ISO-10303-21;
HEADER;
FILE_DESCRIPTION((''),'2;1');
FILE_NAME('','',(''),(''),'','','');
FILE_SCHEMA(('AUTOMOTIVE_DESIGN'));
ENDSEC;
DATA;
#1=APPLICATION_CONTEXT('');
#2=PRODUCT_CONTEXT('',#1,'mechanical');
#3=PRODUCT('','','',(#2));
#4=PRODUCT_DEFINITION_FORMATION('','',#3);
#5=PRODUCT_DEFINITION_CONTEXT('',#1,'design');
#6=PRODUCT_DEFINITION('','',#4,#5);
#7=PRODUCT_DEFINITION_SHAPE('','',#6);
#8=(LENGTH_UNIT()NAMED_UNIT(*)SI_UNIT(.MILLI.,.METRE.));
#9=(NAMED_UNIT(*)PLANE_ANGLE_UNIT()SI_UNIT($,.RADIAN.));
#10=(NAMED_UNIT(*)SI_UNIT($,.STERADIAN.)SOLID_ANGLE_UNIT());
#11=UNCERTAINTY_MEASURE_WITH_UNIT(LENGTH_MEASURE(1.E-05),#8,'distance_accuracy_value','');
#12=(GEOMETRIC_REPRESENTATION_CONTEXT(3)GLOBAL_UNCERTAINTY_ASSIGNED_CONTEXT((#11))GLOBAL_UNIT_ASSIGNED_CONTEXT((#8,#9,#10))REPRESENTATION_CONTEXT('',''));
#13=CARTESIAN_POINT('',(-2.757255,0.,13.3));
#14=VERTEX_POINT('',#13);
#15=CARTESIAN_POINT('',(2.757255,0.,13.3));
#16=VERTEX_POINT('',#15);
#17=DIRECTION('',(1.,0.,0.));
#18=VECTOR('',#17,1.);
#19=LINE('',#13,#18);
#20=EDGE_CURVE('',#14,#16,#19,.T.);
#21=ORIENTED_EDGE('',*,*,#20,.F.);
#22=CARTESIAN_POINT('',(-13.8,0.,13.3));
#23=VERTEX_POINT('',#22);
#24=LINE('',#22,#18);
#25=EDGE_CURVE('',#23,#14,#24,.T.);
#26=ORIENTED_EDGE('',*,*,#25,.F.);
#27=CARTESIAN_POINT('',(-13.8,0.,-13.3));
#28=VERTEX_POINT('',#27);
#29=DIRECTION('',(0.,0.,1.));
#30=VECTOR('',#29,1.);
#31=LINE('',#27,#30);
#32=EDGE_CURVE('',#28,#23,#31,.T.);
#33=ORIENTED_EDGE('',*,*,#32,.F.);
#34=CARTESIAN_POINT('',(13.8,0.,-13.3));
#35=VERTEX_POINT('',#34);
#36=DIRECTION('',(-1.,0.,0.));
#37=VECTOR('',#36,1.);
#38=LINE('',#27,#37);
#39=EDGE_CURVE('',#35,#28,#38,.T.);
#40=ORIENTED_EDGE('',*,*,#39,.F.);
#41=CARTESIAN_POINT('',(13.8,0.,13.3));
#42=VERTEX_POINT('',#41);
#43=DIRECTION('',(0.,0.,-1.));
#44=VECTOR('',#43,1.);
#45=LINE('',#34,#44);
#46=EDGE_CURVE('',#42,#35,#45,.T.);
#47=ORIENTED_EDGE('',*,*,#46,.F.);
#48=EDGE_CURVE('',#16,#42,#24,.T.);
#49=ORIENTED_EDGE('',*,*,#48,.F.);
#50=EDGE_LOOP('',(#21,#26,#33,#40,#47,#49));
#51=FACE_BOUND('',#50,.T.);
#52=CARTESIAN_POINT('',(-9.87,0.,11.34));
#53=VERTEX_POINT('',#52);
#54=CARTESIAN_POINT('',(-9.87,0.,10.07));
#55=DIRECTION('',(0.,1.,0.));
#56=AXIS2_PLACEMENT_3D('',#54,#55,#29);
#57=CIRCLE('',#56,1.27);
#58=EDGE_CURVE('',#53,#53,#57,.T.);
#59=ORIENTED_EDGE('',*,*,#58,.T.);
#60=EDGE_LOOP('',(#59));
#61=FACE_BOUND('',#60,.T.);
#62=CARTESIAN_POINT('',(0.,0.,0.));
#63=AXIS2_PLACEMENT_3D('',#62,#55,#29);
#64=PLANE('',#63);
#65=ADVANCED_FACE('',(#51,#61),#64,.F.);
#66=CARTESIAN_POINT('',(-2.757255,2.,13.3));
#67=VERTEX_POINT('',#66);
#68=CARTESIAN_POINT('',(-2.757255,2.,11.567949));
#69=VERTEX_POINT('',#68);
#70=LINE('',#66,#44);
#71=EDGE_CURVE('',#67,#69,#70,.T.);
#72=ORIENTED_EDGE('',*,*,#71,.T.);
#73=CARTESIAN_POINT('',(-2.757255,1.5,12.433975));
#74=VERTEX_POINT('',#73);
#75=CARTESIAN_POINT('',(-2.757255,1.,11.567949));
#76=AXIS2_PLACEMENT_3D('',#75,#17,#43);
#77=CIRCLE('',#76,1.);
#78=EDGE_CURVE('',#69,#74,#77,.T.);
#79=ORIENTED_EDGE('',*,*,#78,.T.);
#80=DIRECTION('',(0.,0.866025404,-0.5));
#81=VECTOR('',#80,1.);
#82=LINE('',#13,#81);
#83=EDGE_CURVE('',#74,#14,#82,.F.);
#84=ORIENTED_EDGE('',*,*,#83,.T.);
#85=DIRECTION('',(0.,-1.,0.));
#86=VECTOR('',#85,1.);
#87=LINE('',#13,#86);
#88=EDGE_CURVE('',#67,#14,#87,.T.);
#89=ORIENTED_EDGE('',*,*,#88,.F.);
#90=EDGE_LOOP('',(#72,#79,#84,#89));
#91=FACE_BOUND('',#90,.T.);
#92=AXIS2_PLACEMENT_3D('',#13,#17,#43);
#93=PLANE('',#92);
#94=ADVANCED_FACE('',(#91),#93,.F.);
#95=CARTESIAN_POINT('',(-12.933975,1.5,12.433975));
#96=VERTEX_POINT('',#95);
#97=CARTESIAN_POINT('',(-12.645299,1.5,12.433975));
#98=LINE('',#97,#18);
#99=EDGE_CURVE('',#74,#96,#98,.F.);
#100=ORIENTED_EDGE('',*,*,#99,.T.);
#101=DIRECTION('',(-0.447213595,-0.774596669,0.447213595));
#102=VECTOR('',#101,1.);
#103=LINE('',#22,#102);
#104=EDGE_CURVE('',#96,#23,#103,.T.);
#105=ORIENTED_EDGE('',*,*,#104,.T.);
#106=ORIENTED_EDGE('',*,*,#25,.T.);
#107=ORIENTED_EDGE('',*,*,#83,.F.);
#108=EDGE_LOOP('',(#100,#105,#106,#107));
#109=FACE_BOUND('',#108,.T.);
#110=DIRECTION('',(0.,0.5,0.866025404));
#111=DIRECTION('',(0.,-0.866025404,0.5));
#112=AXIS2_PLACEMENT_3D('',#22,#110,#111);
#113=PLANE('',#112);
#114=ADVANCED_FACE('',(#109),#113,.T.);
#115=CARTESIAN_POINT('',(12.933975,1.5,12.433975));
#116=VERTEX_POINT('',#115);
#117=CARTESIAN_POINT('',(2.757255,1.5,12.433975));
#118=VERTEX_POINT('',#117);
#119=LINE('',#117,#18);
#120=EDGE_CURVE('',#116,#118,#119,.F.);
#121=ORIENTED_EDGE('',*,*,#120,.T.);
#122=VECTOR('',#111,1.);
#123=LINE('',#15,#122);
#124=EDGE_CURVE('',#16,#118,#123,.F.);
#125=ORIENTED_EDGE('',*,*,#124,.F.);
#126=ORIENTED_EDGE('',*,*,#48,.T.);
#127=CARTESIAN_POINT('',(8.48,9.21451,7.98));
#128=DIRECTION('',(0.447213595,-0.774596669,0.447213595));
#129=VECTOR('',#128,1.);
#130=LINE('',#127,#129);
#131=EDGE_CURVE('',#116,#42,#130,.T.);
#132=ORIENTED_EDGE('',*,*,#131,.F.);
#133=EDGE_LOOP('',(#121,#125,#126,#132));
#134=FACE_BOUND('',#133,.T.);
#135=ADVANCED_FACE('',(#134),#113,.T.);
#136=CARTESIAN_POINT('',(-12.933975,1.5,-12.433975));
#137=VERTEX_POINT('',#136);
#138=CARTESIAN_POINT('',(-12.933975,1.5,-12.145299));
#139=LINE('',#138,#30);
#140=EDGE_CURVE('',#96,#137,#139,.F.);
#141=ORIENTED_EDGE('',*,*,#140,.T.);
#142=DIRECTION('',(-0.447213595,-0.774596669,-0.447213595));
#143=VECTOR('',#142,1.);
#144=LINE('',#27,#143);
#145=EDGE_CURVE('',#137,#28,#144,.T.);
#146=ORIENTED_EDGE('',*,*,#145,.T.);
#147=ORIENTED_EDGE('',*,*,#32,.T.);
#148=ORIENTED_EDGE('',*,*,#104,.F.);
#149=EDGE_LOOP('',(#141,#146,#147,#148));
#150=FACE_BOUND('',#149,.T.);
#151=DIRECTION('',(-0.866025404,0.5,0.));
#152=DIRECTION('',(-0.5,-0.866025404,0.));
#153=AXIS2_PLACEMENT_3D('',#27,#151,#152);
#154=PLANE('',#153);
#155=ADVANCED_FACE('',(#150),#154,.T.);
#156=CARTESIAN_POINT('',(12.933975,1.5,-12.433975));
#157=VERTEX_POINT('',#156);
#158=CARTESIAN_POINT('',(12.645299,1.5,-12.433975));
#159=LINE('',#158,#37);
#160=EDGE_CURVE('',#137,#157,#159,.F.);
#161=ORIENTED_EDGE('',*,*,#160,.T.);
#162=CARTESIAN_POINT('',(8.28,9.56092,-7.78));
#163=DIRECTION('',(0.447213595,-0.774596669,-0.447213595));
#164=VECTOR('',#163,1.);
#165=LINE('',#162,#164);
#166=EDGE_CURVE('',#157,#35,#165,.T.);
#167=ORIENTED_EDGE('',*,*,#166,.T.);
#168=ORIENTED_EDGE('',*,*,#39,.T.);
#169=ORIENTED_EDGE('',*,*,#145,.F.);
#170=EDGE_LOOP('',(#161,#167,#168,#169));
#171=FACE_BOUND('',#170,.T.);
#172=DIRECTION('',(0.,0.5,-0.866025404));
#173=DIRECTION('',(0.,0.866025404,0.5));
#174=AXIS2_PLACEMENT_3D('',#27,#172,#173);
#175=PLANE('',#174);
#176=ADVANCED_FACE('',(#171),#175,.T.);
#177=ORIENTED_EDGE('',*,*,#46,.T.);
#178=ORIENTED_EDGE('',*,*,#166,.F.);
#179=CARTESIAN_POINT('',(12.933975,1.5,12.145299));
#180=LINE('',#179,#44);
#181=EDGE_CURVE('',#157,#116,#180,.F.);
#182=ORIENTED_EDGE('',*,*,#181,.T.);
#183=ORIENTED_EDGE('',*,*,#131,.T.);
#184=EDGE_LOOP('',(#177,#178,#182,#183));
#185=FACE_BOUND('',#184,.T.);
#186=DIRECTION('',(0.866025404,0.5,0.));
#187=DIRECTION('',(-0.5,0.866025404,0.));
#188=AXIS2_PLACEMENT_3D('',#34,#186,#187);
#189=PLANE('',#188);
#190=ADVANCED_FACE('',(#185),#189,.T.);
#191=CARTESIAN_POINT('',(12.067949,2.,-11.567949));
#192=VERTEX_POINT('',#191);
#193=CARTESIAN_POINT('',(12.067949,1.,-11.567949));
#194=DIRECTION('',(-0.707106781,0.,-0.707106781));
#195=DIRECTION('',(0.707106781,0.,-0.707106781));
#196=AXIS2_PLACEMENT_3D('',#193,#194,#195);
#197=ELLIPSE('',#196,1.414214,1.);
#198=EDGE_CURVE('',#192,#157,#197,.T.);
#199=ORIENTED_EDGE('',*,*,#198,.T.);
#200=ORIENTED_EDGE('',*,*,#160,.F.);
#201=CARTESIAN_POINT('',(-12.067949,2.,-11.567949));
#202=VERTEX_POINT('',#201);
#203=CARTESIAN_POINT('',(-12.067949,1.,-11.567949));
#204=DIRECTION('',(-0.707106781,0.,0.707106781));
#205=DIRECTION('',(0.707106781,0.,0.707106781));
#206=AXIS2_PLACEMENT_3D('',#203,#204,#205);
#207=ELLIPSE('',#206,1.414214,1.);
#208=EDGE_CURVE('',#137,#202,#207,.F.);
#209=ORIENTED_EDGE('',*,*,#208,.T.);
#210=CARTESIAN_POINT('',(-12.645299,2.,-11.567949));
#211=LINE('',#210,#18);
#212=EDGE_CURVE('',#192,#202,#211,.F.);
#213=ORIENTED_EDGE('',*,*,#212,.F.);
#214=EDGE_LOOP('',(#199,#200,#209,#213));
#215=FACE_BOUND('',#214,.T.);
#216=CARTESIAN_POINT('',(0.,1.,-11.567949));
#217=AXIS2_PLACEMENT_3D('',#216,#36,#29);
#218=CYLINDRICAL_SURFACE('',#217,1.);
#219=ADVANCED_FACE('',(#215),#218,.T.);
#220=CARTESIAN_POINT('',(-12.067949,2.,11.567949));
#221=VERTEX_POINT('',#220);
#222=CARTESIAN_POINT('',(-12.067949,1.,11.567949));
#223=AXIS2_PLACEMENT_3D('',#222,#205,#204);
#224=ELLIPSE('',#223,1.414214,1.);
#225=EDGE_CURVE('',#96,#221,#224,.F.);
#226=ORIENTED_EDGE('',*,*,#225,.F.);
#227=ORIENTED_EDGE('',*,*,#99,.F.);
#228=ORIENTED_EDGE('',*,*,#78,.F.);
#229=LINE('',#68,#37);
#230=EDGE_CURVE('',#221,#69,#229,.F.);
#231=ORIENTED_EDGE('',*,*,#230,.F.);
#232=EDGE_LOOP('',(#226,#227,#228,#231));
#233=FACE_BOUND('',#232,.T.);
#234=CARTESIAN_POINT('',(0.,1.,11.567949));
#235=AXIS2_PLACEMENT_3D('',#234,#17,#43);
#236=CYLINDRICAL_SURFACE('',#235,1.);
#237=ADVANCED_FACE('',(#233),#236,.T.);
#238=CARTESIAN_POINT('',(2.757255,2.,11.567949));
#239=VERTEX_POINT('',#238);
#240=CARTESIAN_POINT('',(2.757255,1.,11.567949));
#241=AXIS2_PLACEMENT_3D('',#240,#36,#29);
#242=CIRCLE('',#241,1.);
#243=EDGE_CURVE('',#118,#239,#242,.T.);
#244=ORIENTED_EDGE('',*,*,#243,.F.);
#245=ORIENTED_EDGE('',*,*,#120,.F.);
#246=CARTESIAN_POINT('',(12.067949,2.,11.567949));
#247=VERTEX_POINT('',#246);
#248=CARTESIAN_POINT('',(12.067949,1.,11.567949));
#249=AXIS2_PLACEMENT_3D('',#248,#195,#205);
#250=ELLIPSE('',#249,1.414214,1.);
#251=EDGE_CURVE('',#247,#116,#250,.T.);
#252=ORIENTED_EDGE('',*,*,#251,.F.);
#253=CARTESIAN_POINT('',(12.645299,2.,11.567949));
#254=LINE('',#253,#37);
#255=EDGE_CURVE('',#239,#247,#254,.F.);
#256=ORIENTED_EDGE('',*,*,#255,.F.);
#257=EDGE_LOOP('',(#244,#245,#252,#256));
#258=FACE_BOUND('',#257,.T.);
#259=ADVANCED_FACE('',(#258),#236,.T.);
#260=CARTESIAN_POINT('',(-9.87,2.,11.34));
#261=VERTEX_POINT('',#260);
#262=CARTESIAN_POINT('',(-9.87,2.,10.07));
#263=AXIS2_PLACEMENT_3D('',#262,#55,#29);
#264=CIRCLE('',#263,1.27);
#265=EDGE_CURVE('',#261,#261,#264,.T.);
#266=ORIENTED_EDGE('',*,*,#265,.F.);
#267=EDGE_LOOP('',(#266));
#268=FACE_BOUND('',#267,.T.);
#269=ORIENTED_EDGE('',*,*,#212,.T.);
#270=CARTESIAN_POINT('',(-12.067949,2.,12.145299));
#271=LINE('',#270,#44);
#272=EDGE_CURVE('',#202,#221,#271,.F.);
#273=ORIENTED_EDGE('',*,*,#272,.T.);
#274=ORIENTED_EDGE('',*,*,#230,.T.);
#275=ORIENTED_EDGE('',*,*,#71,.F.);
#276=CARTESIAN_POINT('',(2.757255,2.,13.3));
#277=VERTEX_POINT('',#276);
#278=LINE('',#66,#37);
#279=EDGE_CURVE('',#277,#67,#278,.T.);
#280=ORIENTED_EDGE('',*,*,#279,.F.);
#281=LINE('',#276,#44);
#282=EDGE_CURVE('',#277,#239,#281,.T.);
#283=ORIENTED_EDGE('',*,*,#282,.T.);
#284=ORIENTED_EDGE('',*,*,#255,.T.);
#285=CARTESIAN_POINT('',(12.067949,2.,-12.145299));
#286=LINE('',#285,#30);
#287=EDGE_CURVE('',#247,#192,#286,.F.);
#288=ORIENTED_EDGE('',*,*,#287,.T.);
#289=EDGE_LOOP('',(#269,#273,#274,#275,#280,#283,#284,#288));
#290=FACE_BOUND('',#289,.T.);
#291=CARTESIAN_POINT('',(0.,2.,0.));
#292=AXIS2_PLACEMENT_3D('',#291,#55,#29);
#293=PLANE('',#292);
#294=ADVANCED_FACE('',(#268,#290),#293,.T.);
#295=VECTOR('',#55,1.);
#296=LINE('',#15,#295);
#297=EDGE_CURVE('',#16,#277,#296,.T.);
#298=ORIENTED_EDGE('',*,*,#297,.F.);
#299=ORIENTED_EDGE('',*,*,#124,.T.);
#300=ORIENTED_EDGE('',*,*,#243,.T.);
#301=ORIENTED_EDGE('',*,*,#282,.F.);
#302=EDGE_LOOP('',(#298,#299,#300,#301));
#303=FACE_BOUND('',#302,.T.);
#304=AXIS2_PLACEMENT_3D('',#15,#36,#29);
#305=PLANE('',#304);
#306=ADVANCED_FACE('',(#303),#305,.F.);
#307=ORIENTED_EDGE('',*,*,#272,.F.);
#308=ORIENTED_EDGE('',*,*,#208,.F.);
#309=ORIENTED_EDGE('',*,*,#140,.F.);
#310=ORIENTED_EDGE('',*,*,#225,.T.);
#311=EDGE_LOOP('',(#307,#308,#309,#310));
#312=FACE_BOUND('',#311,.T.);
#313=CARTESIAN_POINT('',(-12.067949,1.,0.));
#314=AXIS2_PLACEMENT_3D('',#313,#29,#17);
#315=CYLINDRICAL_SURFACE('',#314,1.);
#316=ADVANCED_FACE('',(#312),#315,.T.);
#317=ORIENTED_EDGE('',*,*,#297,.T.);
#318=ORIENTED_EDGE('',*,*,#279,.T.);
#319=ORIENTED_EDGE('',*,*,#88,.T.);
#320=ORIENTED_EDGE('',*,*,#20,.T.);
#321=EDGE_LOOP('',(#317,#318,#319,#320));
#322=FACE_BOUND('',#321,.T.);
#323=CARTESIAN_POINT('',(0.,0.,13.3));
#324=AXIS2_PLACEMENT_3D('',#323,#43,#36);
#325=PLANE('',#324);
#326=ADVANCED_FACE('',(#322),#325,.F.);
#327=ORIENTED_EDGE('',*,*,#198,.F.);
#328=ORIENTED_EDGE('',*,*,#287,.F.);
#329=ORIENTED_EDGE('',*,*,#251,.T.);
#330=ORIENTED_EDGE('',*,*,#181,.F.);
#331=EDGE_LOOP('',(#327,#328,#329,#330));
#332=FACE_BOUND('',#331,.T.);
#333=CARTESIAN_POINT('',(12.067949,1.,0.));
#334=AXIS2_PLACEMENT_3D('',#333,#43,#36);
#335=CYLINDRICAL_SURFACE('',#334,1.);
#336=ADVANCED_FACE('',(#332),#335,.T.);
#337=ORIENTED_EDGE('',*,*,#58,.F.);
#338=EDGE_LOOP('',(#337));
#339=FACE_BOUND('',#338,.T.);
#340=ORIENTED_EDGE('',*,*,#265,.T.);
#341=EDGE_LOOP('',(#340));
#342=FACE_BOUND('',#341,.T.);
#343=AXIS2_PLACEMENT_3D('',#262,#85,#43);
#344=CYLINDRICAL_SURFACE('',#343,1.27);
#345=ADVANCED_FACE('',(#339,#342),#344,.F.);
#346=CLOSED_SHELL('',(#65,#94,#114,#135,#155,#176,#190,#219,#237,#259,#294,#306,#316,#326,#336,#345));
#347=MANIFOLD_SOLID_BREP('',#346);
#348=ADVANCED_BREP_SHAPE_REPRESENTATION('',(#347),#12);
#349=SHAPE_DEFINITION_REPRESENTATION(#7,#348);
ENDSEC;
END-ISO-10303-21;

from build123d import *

# Parameters (mm, degrees)
SKETCH1_W           = 27.6
SKETCH1_H           = 26.6
BOSS_EXTRUDE1_DEPTH = 2
BOSS_EXTRUDE1_TAPER = 30
SKETCH2_W           = 5.514509834
SKETCH2_H           = 2
BOSS_EXTRUDE2_DEPTH = 13.3
SKETCH3_R           = 1.27
CUT_EXTRUDE1_DEPTH  = 3.0000001
FILLET5_R           = 1


with BuildPart() as part:
    # Sketch1 → Boss-Extrude1 (new body)
    with BuildSketch(Plane(origin=(0, 0, 0), x_dir=(1, 0, 0), z_dir=(0, 1, 0))):
        Rectangle(SKETCH1_W, SKETCH1_H)
    extrude(amount=BOSS_EXTRUDE1_DEPTH, taper=BOSS_EXTRUDE1_TAPER)

    # Sketch2 → Boss-Extrude2 (add)
    with BuildSketch(Plane.XY):
        with Locations((0, 1)):
            Rectangle(SKETCH2_W, SKETCH2_H)
    extrude(amount=BOSS_EXTRUDE2_DEPTH)

    # Sketch3 → Cut-Extrude1 (cut, through all)
    with BuildSketch(Plane(origin=(0, 0, 0), x_dir=(1, 0, 0), z_dir=(0, 1, 0))):
        with Locations((-9.87, -10.07)):
            Circle(SKETCH3_R)
    extrude(amount=CUT_EXTRUDE1_DEPTH, mode=Mode.SUBTRACT)

    # Fillet5
    fillet5_edges = [part.edges().sort_by_distance(p)[0] for p in [
        (-12.645299462, 2, 0),
        (-7.701277189, 2, 12.145299462),
        (7.701277189, 2, 12.145299462),
        (12.645299462, 2, 0),
        (0, 2, -12.145299462),
    ]]
    fillet(fillet5_edges, radius=FILLET5_R)


solid = part.part
